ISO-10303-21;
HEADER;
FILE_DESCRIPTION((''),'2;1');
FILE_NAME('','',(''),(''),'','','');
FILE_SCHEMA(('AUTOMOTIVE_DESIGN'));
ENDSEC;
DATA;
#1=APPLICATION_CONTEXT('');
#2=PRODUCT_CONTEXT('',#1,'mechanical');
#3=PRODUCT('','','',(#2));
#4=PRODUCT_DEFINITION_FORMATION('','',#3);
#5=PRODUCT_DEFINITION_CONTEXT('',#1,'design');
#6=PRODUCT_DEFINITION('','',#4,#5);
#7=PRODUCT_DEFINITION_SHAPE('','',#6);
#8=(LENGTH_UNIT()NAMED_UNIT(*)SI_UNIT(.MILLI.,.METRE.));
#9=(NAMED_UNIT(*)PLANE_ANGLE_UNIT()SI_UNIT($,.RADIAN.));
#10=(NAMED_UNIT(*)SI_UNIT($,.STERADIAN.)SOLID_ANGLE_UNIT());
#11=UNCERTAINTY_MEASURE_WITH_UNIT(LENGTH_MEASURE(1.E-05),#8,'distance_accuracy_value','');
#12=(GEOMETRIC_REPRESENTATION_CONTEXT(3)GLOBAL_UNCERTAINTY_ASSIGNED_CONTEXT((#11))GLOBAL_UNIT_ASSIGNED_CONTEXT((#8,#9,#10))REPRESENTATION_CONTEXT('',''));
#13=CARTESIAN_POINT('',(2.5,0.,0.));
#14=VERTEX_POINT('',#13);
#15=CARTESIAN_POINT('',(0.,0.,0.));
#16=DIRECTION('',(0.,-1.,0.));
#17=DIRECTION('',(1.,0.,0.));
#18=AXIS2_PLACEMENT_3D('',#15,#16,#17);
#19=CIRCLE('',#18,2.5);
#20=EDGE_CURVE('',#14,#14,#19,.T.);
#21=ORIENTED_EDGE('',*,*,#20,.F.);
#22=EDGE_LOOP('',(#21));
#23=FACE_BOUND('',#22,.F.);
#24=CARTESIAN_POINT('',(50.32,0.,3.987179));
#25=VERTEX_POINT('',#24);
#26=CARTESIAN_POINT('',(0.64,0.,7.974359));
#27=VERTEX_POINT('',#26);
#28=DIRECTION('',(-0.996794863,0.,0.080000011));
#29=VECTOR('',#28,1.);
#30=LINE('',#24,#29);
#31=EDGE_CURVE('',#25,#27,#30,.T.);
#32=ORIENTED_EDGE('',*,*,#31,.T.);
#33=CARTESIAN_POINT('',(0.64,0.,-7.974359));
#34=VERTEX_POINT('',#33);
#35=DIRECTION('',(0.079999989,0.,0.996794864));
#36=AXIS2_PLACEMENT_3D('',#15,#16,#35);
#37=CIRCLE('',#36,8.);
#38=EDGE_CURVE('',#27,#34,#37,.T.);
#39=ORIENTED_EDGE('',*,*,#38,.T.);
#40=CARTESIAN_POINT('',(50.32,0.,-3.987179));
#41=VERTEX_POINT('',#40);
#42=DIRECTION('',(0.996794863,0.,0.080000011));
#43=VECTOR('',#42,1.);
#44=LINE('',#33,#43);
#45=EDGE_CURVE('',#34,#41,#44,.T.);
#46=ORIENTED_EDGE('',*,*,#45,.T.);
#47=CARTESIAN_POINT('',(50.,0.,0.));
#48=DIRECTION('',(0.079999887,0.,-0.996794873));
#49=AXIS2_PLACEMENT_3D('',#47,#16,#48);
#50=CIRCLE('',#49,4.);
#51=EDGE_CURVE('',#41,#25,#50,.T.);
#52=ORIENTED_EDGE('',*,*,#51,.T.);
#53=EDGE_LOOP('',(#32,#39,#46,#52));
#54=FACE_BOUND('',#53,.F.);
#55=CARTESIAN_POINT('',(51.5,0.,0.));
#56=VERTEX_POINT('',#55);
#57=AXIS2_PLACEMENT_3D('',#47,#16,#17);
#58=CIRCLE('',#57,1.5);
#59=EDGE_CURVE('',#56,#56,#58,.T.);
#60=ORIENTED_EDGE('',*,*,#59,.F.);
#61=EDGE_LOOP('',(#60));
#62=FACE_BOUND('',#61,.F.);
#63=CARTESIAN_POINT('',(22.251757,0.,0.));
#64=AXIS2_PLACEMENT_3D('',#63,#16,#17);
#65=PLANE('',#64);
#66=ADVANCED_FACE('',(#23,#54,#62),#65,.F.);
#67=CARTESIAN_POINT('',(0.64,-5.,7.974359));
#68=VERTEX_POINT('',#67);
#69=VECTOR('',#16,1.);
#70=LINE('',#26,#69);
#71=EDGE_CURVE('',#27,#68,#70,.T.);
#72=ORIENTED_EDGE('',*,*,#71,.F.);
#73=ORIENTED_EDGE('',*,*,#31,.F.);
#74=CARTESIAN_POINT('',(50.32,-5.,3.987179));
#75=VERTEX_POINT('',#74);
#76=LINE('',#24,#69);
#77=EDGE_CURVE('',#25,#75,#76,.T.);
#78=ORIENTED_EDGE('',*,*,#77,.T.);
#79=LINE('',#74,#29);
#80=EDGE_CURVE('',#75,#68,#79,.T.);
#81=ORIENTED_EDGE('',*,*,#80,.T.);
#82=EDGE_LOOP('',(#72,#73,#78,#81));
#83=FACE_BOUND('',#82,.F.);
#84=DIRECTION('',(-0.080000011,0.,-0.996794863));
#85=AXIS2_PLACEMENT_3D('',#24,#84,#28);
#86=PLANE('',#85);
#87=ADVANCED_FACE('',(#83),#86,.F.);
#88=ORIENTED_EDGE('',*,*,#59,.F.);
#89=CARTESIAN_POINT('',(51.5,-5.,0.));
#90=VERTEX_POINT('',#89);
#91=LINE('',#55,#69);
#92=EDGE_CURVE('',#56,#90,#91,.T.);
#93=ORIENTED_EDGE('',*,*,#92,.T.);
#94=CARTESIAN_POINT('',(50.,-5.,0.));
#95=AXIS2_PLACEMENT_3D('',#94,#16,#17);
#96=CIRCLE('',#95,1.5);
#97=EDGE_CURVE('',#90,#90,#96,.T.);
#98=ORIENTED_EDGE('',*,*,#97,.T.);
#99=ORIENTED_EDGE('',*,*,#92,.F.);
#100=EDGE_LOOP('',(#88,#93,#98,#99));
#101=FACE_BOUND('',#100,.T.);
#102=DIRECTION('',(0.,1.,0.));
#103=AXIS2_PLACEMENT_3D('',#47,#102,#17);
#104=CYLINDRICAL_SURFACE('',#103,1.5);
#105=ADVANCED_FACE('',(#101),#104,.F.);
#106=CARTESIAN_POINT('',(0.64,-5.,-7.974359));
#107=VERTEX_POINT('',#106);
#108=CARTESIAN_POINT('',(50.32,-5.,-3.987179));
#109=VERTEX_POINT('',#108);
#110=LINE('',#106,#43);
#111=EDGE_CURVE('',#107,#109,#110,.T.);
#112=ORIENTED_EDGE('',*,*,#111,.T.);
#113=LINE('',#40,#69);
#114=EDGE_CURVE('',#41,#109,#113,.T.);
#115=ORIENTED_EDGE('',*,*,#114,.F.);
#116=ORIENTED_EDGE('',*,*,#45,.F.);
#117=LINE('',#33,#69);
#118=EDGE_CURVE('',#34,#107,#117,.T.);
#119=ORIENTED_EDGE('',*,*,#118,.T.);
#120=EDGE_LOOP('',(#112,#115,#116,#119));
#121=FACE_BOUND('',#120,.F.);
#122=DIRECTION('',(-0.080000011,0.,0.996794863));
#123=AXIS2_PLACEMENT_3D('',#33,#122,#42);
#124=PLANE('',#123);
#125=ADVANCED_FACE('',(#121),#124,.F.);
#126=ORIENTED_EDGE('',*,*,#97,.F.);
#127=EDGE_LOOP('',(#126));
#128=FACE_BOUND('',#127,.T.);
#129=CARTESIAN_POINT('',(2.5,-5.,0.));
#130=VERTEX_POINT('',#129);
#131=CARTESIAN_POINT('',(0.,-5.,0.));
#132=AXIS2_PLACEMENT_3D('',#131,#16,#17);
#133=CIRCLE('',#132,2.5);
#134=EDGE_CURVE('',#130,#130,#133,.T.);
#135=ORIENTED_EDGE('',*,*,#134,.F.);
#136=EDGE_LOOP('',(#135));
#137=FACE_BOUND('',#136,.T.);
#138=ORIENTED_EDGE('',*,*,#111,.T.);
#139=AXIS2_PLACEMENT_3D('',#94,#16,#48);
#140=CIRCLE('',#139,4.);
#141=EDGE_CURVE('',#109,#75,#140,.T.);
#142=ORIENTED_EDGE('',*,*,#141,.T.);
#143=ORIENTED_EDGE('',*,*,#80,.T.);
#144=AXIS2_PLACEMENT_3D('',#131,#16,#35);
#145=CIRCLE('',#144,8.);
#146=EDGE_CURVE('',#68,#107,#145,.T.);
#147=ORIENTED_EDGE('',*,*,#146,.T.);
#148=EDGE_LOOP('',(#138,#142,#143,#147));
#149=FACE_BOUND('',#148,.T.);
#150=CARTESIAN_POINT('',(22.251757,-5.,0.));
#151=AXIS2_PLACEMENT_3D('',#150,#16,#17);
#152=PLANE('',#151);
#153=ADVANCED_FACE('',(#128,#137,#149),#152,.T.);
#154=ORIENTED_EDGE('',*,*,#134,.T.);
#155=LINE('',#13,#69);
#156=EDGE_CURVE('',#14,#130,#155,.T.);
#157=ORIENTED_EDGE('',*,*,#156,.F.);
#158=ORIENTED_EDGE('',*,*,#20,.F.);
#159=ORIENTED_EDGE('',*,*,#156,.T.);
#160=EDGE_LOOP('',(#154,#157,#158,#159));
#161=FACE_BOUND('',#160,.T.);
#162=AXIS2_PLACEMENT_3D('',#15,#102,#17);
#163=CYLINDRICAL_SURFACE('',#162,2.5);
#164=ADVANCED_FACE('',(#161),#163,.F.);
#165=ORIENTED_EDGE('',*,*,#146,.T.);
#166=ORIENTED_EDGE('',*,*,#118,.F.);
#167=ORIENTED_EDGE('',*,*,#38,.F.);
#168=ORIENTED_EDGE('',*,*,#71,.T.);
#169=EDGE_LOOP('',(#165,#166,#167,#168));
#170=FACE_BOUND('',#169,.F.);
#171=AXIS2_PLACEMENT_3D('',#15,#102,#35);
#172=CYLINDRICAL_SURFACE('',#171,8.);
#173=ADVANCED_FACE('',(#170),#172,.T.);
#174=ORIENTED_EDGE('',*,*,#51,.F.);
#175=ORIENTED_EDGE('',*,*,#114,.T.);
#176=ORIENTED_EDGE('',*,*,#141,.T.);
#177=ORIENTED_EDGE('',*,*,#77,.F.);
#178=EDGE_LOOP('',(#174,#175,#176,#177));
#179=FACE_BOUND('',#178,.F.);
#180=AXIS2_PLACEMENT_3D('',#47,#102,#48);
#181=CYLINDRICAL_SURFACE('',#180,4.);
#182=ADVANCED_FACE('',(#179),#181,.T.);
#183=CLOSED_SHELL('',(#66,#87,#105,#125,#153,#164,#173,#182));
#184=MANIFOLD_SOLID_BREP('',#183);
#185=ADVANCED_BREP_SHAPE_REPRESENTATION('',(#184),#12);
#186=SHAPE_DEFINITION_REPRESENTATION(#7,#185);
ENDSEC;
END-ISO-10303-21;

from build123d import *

# Parameters (mm, degrees)
F0_R     = 2.5
F0_R_2   = 1.5
F1_DEPTH = 5


with BuildPart() as f1:
    # F0 (on Front) → F1 (new body)
    with BuildSketch(Plane.XZ):
        with BuildLine():
            Line((50.32, 3.987179), (0.64, 7.974359))
            ThreePointArc((0.64, 7.974359), (-8, 0), (0.64, -7.974359))
            Line((0.64, -7.974359), (50.32, -3.987179))
            ThreePointArc((50.32, -3.987179), (54, 0), (50.32, 3.987179))
        make_face()
        Circle(F0_R, mode=Mode.SUBTRACT)
        with Locations((50, 0)):
            Circle(F0_R_2, mode=Mode.SUBTRACT)
    extrude(amount=F1_DEPTH)


solid = f1.part
